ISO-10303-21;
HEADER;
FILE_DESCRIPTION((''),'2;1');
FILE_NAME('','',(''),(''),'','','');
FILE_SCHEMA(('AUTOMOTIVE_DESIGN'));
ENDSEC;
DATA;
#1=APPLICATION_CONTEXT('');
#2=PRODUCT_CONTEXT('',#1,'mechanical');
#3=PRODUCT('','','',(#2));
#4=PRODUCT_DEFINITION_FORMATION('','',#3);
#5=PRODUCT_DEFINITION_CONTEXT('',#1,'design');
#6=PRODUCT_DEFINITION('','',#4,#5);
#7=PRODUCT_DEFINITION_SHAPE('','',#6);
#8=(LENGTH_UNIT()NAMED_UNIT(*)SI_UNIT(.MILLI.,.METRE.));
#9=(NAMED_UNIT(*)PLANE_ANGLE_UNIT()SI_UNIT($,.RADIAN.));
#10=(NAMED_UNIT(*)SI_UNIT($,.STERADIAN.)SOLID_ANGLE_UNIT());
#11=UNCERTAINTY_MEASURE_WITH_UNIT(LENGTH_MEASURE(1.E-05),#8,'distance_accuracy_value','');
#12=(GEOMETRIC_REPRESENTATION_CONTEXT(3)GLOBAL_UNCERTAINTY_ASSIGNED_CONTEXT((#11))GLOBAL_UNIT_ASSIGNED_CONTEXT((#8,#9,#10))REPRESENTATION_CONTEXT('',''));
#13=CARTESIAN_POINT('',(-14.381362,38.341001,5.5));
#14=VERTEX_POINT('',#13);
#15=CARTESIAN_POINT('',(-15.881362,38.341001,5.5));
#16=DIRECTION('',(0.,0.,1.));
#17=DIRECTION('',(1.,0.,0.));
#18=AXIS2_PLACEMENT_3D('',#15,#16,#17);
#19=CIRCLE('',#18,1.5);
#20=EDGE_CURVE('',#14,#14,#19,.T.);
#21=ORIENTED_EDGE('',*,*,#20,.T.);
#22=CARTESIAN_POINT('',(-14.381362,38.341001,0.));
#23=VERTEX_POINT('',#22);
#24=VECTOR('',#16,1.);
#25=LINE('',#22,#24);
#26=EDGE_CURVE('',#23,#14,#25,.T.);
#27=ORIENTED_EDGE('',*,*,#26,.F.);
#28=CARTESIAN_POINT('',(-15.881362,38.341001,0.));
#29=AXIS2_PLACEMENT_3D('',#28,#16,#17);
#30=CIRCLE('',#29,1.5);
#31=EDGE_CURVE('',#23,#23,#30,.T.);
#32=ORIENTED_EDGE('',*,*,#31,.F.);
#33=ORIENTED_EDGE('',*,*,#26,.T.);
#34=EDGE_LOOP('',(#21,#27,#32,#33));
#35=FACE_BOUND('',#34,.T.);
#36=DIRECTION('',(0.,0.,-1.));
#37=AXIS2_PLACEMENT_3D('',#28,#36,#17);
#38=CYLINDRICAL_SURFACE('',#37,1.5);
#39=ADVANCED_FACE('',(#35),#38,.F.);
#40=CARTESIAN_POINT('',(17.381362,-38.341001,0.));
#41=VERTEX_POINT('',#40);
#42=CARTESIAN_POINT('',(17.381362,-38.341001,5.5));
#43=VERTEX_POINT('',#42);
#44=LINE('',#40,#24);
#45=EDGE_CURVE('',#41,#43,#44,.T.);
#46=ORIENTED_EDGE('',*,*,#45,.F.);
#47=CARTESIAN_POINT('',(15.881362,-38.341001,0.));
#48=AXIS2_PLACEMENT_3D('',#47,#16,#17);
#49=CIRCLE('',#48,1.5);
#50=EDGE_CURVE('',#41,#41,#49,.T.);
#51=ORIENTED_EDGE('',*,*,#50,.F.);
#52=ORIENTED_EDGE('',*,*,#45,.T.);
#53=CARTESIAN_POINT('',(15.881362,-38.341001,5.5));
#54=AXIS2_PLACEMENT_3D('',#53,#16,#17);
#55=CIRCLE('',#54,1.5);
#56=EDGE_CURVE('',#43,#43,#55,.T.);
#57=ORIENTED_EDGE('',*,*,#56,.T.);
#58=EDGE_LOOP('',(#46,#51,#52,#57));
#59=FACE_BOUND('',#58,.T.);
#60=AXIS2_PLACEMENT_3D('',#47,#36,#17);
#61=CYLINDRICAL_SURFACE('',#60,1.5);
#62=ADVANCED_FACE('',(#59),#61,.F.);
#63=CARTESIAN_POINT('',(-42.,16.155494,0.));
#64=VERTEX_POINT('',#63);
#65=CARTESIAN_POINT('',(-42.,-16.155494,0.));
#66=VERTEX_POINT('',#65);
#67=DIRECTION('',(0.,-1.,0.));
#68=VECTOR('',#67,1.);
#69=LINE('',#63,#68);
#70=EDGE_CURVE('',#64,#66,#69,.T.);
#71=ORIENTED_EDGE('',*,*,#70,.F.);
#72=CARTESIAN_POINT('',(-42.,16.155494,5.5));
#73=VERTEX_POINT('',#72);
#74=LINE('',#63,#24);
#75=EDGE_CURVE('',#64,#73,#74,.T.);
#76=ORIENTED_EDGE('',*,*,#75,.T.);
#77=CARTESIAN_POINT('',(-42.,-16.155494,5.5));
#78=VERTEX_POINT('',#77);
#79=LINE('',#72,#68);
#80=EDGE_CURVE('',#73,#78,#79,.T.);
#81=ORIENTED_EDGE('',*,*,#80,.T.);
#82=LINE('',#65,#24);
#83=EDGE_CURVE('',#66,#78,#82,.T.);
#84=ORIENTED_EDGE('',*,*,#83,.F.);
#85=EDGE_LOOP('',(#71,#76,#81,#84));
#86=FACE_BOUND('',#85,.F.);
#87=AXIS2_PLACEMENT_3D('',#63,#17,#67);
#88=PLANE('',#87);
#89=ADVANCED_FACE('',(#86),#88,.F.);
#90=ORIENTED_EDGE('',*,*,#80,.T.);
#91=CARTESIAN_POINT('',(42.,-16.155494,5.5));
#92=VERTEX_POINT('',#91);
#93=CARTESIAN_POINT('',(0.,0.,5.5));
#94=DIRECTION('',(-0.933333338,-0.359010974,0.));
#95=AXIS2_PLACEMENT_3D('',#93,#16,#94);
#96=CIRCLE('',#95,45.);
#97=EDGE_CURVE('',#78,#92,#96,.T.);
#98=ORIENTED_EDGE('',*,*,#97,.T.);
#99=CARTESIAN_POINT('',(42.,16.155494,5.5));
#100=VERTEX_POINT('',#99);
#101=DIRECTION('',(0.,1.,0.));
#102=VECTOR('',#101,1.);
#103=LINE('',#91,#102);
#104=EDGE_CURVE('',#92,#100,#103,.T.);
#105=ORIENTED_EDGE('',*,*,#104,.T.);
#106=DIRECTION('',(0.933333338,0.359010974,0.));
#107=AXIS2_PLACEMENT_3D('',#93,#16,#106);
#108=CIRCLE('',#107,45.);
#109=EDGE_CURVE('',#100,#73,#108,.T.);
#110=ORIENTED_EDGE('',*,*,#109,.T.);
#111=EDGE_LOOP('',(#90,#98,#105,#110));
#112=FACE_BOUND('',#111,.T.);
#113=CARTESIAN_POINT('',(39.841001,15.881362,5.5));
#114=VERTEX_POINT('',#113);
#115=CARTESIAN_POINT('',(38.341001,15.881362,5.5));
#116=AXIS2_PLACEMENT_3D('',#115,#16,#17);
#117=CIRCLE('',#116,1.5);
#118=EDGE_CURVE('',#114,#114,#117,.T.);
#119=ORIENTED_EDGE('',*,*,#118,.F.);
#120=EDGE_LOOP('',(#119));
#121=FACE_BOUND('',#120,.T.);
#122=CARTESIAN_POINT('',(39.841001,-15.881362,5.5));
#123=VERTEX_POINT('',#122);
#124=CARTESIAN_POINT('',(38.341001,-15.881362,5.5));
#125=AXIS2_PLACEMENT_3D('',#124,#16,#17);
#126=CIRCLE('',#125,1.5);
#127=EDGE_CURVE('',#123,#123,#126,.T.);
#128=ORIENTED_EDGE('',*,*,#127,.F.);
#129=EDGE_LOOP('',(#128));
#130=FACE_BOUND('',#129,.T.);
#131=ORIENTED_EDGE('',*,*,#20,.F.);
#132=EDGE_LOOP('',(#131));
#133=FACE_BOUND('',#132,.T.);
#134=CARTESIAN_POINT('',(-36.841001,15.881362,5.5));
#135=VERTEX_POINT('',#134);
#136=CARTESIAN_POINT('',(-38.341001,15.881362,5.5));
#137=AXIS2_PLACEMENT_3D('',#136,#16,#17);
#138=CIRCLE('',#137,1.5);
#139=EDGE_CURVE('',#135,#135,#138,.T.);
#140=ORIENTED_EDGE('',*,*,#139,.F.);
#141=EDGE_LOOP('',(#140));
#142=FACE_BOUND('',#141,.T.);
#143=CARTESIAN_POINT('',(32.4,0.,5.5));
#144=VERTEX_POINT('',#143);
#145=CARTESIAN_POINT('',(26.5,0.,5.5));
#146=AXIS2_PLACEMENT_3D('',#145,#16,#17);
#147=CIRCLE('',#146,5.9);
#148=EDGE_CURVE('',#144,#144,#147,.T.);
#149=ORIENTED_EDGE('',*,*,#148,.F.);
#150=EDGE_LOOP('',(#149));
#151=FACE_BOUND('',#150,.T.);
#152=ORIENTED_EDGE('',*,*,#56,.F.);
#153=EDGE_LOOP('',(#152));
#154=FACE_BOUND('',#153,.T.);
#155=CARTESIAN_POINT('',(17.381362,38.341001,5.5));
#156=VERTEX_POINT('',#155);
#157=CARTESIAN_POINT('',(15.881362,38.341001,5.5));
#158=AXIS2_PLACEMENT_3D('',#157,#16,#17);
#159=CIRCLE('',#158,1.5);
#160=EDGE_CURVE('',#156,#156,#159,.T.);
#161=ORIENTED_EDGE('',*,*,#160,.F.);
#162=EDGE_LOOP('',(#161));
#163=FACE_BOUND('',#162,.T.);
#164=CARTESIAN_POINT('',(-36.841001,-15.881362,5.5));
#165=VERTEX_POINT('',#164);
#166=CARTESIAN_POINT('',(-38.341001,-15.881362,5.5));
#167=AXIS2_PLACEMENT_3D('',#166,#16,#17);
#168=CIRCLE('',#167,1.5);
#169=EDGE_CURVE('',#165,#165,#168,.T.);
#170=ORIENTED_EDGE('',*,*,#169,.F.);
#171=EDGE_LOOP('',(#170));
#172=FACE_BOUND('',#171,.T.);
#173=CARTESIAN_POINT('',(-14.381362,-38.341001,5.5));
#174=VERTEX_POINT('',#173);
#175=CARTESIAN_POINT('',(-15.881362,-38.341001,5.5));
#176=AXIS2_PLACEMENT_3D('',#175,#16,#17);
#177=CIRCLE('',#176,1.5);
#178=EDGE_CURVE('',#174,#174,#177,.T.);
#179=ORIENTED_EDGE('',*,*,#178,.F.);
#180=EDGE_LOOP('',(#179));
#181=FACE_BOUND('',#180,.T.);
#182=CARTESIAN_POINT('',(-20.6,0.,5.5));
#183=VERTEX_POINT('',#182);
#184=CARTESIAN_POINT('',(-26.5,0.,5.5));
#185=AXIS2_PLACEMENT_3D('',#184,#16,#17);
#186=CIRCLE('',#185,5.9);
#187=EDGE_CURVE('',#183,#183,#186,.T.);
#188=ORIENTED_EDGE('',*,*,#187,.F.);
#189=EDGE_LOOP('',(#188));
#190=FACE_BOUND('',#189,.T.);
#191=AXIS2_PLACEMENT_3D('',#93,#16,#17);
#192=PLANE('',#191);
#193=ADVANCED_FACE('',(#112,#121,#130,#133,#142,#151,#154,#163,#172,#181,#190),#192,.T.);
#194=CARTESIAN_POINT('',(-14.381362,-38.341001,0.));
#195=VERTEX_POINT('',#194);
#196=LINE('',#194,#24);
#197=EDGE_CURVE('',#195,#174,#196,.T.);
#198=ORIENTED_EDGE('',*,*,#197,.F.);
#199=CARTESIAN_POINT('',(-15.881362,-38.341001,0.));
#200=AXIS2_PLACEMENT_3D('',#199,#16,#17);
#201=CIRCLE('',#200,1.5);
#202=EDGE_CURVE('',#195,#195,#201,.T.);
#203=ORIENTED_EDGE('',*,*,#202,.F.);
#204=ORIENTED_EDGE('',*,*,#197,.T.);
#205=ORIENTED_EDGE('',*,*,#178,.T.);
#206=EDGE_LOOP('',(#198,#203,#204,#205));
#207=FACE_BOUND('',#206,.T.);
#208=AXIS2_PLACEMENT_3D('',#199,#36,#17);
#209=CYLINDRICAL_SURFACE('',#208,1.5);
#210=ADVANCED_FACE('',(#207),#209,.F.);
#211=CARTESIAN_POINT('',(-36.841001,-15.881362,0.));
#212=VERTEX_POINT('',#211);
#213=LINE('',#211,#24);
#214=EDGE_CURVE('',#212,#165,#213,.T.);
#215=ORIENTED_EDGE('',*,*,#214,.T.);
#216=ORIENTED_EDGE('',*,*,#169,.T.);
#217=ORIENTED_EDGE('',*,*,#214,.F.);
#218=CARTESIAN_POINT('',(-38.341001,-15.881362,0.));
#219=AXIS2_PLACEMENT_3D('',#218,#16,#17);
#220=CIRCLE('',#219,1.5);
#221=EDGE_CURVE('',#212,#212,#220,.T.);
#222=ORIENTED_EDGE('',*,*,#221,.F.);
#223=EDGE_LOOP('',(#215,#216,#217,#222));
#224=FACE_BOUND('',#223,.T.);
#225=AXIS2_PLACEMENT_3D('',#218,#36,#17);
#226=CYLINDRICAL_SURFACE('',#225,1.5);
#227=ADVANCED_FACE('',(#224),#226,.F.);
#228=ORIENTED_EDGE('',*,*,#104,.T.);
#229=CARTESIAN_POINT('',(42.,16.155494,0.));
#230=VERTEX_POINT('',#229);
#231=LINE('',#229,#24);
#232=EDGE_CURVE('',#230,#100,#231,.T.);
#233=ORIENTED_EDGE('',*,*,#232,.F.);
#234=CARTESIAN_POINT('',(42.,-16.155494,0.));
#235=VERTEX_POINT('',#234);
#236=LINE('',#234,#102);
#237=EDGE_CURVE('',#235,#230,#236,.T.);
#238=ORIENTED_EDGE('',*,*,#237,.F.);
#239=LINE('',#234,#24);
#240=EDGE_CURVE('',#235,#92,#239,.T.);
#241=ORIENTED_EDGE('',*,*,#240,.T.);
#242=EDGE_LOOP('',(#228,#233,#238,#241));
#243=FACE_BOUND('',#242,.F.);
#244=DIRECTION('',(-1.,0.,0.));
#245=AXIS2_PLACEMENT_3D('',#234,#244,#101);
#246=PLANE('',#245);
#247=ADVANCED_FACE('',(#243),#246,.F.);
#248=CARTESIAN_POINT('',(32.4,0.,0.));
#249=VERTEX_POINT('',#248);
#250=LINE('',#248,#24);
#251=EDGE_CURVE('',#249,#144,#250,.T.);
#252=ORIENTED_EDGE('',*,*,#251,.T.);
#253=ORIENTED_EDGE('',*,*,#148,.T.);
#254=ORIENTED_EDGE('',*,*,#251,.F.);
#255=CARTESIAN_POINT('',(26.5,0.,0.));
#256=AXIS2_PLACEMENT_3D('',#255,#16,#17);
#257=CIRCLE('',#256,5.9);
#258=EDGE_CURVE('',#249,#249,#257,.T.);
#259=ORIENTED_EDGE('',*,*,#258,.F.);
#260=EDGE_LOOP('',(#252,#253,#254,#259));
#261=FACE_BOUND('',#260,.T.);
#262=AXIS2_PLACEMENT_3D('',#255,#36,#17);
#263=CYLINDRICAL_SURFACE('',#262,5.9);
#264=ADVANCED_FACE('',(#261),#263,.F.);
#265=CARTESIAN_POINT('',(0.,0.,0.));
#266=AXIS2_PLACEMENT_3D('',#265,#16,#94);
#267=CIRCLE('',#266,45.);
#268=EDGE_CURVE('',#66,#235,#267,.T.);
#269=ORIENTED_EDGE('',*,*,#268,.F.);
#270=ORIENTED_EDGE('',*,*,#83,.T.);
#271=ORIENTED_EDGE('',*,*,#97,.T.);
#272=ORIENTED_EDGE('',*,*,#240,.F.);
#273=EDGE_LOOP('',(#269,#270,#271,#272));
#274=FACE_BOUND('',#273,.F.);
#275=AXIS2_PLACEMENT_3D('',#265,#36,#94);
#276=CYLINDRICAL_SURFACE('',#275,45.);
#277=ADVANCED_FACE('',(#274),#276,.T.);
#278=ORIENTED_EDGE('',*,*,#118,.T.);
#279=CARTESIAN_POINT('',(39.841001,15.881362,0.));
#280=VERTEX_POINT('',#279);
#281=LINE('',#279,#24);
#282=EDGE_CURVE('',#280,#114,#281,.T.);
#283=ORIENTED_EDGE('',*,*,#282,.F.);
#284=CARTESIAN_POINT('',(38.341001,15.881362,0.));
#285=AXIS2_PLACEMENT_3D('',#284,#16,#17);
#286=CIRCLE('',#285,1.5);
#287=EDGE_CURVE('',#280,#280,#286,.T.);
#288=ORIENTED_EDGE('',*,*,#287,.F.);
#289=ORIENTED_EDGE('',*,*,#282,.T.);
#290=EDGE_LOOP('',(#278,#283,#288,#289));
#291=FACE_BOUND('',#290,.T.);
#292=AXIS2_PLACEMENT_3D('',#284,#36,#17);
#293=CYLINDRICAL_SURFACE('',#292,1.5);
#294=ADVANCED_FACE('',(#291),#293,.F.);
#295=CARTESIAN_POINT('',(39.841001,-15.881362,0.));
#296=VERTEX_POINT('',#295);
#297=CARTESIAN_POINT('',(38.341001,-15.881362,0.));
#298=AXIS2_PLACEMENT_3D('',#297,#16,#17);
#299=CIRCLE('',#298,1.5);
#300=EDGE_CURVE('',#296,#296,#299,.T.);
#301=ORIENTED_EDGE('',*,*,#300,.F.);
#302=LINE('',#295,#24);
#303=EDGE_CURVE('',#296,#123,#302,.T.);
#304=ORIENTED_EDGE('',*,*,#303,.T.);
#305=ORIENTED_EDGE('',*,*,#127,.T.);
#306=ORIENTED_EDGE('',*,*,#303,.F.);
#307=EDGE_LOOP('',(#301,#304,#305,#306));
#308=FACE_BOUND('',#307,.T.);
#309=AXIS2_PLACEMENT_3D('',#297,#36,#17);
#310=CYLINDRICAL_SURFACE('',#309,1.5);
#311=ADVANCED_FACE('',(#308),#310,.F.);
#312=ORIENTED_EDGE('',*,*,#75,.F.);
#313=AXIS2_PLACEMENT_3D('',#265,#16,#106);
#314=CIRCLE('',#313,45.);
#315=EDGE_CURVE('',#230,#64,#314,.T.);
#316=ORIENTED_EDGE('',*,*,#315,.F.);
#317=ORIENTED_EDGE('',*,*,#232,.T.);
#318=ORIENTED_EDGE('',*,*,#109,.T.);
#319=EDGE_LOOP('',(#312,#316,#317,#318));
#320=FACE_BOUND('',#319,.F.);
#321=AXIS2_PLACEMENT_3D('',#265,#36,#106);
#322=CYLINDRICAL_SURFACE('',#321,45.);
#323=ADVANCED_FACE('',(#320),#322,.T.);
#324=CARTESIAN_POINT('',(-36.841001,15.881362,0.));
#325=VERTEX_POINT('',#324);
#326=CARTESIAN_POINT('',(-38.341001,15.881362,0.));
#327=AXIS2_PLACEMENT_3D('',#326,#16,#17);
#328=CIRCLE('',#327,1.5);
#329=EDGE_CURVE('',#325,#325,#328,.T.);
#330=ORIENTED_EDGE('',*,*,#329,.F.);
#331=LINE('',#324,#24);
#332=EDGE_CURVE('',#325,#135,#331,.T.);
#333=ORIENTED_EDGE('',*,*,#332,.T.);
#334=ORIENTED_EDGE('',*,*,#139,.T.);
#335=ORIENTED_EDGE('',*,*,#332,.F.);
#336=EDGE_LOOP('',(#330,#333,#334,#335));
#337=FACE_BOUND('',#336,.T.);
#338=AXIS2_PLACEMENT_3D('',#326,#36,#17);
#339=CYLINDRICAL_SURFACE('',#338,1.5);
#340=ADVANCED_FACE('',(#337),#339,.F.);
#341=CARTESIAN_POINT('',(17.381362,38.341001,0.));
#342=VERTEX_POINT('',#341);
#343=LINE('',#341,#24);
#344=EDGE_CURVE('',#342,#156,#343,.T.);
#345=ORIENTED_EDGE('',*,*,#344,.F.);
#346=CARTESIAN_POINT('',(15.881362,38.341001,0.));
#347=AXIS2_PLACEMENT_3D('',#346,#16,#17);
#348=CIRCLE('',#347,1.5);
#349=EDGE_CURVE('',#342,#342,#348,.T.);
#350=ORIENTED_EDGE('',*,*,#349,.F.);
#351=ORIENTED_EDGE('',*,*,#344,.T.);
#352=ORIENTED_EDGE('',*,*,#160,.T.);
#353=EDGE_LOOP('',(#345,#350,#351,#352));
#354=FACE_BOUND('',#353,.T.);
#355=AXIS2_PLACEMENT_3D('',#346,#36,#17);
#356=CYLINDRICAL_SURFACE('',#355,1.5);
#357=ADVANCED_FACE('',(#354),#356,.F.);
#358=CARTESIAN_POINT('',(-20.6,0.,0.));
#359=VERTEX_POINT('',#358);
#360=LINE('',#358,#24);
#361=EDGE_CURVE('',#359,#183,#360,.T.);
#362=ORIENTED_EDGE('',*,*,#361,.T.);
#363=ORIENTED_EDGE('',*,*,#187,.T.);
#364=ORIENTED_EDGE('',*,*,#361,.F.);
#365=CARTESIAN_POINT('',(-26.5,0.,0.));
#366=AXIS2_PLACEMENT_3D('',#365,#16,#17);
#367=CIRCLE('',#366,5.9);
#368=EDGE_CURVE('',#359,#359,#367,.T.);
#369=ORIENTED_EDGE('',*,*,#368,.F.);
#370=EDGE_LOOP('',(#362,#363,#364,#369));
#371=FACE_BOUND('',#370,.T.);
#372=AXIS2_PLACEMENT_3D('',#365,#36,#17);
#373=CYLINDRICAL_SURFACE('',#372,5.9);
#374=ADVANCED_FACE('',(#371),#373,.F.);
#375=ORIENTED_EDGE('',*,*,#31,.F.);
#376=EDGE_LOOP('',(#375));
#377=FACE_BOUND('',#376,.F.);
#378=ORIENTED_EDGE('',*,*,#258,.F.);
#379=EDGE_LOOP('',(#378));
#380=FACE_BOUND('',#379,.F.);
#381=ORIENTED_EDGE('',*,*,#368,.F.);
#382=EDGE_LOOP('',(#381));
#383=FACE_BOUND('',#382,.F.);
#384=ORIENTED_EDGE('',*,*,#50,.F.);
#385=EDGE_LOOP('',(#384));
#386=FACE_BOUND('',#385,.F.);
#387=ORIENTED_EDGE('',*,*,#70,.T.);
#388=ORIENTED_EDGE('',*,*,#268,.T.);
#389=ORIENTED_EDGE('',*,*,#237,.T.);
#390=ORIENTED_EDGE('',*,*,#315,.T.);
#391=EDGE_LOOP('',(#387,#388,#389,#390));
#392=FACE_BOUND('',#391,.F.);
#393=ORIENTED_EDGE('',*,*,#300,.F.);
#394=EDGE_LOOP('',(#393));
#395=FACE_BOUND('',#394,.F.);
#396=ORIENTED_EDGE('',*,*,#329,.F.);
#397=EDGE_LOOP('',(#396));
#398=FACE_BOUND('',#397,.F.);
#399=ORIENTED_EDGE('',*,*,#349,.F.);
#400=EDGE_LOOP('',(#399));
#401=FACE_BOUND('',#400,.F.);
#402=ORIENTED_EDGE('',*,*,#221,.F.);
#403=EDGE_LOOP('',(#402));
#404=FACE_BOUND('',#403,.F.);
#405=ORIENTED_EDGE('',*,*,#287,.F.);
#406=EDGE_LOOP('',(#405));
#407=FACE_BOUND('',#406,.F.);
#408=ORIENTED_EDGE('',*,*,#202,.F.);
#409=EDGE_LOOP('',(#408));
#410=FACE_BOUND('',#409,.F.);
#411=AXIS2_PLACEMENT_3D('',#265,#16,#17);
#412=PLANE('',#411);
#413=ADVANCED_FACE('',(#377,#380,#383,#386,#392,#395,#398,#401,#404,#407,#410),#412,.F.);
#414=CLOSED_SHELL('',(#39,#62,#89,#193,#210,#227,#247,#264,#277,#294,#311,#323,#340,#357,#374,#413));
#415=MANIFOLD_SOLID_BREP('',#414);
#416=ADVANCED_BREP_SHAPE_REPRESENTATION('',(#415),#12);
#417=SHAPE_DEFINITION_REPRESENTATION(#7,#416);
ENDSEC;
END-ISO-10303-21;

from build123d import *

# Parameters (mm, degrees)
F0_R     = 1.5
F0_R_2   = 5.9
F1_DEPTH = 5.5


with BuildPart() as f1:
    # F0 (on Top) → F1 (new body)
    with BuildSketch(Plane.XY):
        with BuildLine():
            ThreePointArc((-42, -16.155494), (0, -45), (42, -16.155494))
            Line((42, -16.155494), (42, 16.155494))
            ThreePointArc((42, 16.155494), (0, 45), (-42, 16.155494))
            Line((-42, 16.155494), (-42, -16.155494))
        make_face()
        with Locations((-15.881362, -38.341001)):
            Circle(F0_R, mode=Mode.SUBTRACT)
        with Locations((-38.341001, -15.881362)):
            Circle(F0_R, mode=Mode.SUBTRACT)
        with Locations((15.881362, -38.341001)):
            Circle(F0_R, mode=Mode.SUBTRACT)
        with Locations((38.341001, -15.881362)):
            Circle(F0_R, mode=Mode.SUBTRACT)
        with Locations((-26.5, 0)):
            Circle(F0_R_2, mode=Mode.SUBTRACT)
        with Locations((-38.341001, 15.881362)):
            Circle(F0_R, mode=Mode.SUBTRACT)
        with Locations((-15.881362, 38.341001)):
            Circle(F0_R, mode=Mode.SUBTRACT)
        with Locations((26.5, 0)):
            Circle(F0_R_2, mode=Mode.SUBTRACT)
        with Locations((38.341001, 15.881362)):
            Circle(F0_R, mode=Mode.SUBTRACT)
        with Locations((15.881362, 38.341001)):
            Circle(F0_R, mode=Mode.SUBTRACT)
    extrude(amount=F1_DEPTH)


solid = f1.part
